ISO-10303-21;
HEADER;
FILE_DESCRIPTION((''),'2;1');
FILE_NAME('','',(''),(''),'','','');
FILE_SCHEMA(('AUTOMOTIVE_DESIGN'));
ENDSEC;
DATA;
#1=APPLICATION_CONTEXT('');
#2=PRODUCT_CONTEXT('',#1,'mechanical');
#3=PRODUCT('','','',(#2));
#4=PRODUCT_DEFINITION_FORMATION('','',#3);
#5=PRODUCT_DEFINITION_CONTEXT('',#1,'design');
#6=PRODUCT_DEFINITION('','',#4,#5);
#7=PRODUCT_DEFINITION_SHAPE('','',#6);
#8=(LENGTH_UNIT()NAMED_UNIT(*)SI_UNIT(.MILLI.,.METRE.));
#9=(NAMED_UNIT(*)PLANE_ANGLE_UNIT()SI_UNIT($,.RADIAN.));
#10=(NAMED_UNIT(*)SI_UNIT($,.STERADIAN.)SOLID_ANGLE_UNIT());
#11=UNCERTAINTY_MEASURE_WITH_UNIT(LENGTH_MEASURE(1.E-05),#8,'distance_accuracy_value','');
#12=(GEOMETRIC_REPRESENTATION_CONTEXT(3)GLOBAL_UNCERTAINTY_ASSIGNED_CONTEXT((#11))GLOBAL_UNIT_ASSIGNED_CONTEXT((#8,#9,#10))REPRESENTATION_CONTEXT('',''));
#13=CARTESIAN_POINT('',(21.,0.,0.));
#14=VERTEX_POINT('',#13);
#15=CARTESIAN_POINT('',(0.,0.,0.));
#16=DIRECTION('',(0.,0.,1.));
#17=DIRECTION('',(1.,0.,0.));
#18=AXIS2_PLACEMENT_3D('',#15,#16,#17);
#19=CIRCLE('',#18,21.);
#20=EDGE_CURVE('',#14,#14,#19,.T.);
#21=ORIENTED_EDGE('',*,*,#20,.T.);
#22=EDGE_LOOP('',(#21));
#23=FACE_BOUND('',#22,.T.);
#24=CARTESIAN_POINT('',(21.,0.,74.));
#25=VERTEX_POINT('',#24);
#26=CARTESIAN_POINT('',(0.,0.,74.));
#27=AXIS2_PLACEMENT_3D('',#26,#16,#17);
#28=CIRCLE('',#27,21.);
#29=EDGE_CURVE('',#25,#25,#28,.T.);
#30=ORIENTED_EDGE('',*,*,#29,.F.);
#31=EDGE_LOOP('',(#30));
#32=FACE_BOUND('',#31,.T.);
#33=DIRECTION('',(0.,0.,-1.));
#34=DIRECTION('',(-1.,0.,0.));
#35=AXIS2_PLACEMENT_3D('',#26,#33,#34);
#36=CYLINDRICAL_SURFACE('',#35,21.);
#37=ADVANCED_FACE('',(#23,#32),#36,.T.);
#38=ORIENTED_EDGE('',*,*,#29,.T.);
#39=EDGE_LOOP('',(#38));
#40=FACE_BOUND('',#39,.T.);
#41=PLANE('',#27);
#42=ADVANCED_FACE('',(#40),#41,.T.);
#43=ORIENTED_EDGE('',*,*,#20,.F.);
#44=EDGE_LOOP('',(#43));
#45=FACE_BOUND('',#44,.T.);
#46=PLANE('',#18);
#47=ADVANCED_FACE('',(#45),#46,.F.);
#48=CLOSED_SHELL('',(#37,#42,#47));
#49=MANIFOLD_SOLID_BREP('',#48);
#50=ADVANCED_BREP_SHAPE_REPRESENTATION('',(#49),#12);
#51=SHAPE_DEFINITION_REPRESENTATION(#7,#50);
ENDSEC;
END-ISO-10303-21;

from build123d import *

# Parameters (mm, degrees)
CROQUIS1_R              = 21
SALIENTE_EXTRUIR1_DEPTH = 74


with BuildPart() as part:
    # Croquis1 → Saliente-Extruir1 (new body)
    with BuildSketch(Plane.XY):
        Circle(CROQUIS1_R)
    extrude(amount=SALIENTE_EXTRUIR1_DEPTH)


solid = part.part
